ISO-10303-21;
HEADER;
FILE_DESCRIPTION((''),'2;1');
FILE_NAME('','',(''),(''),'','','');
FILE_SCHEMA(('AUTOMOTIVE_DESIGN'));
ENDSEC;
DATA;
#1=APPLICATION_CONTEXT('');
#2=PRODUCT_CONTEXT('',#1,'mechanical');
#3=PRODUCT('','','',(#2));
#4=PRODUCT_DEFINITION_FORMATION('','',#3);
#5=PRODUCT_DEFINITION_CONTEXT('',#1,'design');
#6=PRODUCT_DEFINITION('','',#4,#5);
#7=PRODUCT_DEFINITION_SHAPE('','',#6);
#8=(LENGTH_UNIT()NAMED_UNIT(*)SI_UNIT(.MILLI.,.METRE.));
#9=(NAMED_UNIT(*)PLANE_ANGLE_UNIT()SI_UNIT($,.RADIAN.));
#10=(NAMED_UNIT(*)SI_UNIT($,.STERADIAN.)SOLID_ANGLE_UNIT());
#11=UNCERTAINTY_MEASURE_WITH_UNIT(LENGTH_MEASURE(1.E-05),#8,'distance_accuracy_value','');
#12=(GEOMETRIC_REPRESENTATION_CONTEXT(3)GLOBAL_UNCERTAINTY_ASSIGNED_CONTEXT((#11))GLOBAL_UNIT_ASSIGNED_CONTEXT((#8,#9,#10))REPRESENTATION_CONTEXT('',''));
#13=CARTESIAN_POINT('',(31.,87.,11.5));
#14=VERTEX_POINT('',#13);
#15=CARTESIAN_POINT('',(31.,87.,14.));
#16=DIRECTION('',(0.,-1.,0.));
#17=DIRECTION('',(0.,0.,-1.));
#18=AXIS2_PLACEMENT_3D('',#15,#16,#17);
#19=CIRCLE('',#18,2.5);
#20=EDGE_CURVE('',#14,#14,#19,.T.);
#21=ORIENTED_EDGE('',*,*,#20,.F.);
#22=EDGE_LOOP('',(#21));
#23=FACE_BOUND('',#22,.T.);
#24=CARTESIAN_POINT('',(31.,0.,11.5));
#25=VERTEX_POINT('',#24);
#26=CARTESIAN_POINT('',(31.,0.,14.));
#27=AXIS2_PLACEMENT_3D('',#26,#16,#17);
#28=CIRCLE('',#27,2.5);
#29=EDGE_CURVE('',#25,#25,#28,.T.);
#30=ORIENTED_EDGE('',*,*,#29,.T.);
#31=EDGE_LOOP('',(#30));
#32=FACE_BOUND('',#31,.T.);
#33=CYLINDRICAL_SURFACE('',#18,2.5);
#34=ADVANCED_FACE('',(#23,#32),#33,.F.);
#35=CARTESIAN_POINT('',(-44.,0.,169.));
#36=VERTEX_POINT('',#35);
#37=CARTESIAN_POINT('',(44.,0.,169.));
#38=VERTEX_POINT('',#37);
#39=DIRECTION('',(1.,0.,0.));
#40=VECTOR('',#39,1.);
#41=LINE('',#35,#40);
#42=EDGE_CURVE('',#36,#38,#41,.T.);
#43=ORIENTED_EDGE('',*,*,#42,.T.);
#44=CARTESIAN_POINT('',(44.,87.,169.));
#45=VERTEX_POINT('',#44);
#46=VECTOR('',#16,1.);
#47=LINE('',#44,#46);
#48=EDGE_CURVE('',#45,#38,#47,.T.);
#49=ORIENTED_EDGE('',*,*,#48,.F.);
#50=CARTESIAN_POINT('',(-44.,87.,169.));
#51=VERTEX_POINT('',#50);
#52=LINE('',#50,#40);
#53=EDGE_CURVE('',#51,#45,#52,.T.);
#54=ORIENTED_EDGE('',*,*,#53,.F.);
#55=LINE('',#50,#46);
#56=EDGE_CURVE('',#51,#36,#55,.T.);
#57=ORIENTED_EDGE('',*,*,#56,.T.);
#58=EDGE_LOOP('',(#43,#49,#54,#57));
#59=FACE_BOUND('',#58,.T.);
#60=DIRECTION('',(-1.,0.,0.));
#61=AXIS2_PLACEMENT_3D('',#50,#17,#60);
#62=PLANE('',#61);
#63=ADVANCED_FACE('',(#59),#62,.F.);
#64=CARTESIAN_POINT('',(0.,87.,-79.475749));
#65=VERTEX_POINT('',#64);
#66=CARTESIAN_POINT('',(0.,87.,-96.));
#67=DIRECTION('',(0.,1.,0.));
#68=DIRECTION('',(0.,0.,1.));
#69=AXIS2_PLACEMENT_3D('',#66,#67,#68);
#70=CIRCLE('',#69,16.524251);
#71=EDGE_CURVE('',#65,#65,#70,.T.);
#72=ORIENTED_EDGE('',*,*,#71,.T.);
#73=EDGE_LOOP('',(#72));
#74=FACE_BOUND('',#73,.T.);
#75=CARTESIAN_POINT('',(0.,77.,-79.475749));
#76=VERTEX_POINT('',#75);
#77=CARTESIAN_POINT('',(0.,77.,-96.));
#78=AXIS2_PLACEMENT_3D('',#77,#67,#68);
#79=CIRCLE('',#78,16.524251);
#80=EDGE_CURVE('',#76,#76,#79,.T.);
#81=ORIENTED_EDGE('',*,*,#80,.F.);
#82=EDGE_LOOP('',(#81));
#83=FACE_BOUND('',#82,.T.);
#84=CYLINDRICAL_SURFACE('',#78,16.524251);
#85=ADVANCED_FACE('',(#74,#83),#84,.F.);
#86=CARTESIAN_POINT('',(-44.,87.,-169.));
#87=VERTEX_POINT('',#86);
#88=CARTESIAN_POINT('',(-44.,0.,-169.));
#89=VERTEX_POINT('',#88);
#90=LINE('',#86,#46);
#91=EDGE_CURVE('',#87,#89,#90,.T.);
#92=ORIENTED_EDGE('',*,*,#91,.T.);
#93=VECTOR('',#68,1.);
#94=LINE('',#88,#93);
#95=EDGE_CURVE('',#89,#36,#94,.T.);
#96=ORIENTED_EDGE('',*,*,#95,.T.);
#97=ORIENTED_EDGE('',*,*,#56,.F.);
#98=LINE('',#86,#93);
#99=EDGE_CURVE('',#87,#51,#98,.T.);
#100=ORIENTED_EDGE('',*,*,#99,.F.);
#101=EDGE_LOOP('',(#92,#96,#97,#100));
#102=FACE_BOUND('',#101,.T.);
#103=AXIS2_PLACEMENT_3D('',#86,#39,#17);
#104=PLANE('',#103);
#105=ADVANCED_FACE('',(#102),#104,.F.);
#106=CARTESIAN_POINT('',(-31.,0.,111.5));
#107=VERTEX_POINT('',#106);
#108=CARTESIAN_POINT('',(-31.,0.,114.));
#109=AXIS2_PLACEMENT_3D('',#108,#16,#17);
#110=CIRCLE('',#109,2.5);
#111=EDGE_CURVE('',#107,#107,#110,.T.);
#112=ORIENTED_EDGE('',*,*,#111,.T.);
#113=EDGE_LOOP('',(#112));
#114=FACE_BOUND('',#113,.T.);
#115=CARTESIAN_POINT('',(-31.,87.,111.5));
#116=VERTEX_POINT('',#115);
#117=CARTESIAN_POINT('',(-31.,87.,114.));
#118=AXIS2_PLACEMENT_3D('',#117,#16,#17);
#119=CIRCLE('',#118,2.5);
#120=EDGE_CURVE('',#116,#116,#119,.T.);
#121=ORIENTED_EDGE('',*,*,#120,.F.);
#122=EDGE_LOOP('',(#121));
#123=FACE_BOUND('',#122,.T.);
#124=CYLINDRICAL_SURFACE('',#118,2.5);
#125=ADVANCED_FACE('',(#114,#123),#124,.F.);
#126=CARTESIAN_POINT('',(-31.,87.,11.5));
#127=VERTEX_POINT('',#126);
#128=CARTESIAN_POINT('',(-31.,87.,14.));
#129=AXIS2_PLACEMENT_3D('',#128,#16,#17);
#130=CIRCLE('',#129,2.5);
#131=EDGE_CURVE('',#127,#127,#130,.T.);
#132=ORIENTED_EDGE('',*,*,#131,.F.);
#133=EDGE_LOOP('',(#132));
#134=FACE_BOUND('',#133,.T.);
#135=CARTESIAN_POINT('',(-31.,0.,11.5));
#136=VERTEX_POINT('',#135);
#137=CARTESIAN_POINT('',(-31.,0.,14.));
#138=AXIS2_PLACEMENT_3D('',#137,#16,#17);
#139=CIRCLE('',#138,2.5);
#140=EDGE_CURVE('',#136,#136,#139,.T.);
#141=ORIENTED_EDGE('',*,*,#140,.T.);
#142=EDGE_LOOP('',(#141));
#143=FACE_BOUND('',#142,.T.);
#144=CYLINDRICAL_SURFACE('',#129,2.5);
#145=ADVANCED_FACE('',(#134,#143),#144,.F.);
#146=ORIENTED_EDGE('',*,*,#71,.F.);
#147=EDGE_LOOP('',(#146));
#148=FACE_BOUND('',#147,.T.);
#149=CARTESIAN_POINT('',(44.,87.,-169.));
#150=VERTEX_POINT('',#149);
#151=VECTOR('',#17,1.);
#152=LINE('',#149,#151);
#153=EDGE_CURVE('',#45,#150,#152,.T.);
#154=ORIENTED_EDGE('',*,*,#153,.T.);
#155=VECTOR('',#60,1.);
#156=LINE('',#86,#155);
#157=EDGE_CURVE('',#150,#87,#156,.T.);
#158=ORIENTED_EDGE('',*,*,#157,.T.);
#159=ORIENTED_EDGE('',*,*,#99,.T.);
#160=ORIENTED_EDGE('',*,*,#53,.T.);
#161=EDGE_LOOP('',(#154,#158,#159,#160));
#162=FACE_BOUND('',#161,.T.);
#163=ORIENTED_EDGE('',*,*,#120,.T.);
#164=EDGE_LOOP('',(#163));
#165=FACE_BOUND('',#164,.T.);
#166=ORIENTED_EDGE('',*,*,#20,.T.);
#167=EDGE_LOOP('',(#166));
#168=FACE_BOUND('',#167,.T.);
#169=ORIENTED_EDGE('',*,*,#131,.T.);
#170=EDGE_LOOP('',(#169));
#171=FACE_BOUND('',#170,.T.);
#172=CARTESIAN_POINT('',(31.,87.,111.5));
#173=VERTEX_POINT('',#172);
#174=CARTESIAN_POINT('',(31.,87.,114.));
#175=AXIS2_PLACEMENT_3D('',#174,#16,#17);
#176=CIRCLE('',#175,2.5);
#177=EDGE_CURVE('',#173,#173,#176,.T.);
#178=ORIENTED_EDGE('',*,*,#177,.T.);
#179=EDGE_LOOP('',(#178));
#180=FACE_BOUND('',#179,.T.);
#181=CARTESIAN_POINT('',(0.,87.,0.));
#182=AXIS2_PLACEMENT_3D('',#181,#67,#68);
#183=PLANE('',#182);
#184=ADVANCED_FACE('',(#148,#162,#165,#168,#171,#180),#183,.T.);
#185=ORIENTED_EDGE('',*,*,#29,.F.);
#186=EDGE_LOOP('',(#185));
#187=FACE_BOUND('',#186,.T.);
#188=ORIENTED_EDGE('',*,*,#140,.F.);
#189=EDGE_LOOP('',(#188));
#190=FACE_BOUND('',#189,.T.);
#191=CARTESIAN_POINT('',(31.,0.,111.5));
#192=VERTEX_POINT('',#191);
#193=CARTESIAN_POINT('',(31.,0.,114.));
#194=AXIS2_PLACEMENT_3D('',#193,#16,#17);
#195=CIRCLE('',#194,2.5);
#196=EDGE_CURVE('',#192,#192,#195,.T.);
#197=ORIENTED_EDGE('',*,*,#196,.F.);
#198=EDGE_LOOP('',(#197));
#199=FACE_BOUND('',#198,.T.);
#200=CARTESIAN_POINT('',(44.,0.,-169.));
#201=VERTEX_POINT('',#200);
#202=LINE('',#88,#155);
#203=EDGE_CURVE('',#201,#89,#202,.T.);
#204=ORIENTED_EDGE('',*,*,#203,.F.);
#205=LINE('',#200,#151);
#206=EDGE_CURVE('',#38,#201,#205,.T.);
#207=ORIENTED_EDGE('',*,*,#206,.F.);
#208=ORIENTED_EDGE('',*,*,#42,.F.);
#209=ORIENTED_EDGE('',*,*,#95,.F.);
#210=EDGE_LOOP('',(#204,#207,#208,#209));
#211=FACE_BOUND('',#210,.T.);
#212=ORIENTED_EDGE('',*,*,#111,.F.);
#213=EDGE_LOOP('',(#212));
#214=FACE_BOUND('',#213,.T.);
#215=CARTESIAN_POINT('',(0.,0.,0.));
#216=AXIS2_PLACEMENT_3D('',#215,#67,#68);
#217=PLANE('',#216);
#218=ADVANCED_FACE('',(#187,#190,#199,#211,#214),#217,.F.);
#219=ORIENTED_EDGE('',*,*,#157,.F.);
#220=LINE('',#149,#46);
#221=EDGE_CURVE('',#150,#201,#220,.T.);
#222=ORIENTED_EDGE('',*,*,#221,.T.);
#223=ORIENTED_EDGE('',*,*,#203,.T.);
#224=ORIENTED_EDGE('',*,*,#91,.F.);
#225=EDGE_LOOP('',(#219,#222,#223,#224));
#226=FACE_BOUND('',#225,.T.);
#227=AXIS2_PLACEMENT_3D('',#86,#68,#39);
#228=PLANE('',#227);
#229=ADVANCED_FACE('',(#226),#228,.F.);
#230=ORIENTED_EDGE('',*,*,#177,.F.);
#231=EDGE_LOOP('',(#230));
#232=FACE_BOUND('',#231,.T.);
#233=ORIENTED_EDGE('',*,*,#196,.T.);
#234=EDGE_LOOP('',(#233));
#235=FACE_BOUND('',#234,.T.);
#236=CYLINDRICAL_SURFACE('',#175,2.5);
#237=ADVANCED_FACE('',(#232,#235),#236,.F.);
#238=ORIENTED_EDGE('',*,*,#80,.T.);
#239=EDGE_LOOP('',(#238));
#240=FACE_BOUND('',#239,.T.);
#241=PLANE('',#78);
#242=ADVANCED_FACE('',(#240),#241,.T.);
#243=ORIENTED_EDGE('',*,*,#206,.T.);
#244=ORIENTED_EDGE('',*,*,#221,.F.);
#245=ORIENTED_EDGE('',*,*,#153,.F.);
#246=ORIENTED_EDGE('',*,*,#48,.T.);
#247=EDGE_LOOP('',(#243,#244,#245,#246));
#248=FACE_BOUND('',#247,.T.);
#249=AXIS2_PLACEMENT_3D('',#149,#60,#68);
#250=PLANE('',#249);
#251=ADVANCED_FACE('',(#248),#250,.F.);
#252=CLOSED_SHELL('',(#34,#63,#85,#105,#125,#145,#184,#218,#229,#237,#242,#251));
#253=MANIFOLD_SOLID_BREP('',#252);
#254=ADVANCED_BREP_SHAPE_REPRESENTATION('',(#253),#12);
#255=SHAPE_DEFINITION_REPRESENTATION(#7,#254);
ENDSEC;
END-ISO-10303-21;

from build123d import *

# Parameters (mm, degrees)
SKETCH_1_W                  = 88
SKETCH_1_H                  = 338
EXTRUDE_1_DEPTH             = 87
SKETCH_2_R                  = 2.5
CUT_EXTRUDE_1_DEPTH         = 196.105099882
PATTERN_LINEAR_1_COUNT      = 2
PATTERN_LINEAR_1_PITCH      = 100
PATTERN_LINEAR_1_COUNT_DIR2 = 2
PATTERN_LINEAR_1_PITCH_DIR2 = 62
SKETCH_3_R                  = 16.524250602
CUT_EXTRUDE_2_DEPTH         = 10


with BuildPart() as part:
    # 草图1 → 凸台-拉伸1 (new body)
    with BuildSketch(Plane(origin=(0, 0, 0), x_dir=(1, 0, 0), z_dir=(0, 1, 0))):
        Rectangle(SKETCH_1_W, SKETCH_1_H)
    extrude(amount=EXTRUDE_1_DEPTH)

    # 草图2 → 切除-拉伸1 (cut, through all)
    with BuildSketch(Plane.XZ):
        with Locations(Location((31, 114, 0), (0, 0, 270))):
            Circle(SKETCH_2_R)
    cut_extrude_1 = extrude(amount=-CUT_EXTRUDE_1_DEPTH, mode=Mode.SUBTRACT)

    # 阵列(线性)1: Cut-Extrude 1 2 × 2
    with Locations(*[(-j * PATTERN_LINEAR_1_PITCH_DIR2, 0, -i * PATTERN_LINEAR_1_PITCH) for i in range(PATTERN_LINEAR_1_COUNT) for j in range(PATTERN_LINEAR_1_COUNT_DIR2) if (i, j) != (0, 0)]):
        add(cut_extrude_1, mode=Mode.SUBTRACT)

    # 草图3 → 切除-拉伸2 (cut)
    with BuildSketch(Plane(origin=(0, 87, 0), x_dir=(1, 0, 0), z_dir=(0, 1, 0))):
        with Locations(Location((0, 96, 0), (0, 0, 270))):
            Circle(SKETCH_3_R)
    extrude(amount=-CUT_EXTRUDE_2_DEPTH, mode=Mode.SUBTRACT)


solid = part.part
